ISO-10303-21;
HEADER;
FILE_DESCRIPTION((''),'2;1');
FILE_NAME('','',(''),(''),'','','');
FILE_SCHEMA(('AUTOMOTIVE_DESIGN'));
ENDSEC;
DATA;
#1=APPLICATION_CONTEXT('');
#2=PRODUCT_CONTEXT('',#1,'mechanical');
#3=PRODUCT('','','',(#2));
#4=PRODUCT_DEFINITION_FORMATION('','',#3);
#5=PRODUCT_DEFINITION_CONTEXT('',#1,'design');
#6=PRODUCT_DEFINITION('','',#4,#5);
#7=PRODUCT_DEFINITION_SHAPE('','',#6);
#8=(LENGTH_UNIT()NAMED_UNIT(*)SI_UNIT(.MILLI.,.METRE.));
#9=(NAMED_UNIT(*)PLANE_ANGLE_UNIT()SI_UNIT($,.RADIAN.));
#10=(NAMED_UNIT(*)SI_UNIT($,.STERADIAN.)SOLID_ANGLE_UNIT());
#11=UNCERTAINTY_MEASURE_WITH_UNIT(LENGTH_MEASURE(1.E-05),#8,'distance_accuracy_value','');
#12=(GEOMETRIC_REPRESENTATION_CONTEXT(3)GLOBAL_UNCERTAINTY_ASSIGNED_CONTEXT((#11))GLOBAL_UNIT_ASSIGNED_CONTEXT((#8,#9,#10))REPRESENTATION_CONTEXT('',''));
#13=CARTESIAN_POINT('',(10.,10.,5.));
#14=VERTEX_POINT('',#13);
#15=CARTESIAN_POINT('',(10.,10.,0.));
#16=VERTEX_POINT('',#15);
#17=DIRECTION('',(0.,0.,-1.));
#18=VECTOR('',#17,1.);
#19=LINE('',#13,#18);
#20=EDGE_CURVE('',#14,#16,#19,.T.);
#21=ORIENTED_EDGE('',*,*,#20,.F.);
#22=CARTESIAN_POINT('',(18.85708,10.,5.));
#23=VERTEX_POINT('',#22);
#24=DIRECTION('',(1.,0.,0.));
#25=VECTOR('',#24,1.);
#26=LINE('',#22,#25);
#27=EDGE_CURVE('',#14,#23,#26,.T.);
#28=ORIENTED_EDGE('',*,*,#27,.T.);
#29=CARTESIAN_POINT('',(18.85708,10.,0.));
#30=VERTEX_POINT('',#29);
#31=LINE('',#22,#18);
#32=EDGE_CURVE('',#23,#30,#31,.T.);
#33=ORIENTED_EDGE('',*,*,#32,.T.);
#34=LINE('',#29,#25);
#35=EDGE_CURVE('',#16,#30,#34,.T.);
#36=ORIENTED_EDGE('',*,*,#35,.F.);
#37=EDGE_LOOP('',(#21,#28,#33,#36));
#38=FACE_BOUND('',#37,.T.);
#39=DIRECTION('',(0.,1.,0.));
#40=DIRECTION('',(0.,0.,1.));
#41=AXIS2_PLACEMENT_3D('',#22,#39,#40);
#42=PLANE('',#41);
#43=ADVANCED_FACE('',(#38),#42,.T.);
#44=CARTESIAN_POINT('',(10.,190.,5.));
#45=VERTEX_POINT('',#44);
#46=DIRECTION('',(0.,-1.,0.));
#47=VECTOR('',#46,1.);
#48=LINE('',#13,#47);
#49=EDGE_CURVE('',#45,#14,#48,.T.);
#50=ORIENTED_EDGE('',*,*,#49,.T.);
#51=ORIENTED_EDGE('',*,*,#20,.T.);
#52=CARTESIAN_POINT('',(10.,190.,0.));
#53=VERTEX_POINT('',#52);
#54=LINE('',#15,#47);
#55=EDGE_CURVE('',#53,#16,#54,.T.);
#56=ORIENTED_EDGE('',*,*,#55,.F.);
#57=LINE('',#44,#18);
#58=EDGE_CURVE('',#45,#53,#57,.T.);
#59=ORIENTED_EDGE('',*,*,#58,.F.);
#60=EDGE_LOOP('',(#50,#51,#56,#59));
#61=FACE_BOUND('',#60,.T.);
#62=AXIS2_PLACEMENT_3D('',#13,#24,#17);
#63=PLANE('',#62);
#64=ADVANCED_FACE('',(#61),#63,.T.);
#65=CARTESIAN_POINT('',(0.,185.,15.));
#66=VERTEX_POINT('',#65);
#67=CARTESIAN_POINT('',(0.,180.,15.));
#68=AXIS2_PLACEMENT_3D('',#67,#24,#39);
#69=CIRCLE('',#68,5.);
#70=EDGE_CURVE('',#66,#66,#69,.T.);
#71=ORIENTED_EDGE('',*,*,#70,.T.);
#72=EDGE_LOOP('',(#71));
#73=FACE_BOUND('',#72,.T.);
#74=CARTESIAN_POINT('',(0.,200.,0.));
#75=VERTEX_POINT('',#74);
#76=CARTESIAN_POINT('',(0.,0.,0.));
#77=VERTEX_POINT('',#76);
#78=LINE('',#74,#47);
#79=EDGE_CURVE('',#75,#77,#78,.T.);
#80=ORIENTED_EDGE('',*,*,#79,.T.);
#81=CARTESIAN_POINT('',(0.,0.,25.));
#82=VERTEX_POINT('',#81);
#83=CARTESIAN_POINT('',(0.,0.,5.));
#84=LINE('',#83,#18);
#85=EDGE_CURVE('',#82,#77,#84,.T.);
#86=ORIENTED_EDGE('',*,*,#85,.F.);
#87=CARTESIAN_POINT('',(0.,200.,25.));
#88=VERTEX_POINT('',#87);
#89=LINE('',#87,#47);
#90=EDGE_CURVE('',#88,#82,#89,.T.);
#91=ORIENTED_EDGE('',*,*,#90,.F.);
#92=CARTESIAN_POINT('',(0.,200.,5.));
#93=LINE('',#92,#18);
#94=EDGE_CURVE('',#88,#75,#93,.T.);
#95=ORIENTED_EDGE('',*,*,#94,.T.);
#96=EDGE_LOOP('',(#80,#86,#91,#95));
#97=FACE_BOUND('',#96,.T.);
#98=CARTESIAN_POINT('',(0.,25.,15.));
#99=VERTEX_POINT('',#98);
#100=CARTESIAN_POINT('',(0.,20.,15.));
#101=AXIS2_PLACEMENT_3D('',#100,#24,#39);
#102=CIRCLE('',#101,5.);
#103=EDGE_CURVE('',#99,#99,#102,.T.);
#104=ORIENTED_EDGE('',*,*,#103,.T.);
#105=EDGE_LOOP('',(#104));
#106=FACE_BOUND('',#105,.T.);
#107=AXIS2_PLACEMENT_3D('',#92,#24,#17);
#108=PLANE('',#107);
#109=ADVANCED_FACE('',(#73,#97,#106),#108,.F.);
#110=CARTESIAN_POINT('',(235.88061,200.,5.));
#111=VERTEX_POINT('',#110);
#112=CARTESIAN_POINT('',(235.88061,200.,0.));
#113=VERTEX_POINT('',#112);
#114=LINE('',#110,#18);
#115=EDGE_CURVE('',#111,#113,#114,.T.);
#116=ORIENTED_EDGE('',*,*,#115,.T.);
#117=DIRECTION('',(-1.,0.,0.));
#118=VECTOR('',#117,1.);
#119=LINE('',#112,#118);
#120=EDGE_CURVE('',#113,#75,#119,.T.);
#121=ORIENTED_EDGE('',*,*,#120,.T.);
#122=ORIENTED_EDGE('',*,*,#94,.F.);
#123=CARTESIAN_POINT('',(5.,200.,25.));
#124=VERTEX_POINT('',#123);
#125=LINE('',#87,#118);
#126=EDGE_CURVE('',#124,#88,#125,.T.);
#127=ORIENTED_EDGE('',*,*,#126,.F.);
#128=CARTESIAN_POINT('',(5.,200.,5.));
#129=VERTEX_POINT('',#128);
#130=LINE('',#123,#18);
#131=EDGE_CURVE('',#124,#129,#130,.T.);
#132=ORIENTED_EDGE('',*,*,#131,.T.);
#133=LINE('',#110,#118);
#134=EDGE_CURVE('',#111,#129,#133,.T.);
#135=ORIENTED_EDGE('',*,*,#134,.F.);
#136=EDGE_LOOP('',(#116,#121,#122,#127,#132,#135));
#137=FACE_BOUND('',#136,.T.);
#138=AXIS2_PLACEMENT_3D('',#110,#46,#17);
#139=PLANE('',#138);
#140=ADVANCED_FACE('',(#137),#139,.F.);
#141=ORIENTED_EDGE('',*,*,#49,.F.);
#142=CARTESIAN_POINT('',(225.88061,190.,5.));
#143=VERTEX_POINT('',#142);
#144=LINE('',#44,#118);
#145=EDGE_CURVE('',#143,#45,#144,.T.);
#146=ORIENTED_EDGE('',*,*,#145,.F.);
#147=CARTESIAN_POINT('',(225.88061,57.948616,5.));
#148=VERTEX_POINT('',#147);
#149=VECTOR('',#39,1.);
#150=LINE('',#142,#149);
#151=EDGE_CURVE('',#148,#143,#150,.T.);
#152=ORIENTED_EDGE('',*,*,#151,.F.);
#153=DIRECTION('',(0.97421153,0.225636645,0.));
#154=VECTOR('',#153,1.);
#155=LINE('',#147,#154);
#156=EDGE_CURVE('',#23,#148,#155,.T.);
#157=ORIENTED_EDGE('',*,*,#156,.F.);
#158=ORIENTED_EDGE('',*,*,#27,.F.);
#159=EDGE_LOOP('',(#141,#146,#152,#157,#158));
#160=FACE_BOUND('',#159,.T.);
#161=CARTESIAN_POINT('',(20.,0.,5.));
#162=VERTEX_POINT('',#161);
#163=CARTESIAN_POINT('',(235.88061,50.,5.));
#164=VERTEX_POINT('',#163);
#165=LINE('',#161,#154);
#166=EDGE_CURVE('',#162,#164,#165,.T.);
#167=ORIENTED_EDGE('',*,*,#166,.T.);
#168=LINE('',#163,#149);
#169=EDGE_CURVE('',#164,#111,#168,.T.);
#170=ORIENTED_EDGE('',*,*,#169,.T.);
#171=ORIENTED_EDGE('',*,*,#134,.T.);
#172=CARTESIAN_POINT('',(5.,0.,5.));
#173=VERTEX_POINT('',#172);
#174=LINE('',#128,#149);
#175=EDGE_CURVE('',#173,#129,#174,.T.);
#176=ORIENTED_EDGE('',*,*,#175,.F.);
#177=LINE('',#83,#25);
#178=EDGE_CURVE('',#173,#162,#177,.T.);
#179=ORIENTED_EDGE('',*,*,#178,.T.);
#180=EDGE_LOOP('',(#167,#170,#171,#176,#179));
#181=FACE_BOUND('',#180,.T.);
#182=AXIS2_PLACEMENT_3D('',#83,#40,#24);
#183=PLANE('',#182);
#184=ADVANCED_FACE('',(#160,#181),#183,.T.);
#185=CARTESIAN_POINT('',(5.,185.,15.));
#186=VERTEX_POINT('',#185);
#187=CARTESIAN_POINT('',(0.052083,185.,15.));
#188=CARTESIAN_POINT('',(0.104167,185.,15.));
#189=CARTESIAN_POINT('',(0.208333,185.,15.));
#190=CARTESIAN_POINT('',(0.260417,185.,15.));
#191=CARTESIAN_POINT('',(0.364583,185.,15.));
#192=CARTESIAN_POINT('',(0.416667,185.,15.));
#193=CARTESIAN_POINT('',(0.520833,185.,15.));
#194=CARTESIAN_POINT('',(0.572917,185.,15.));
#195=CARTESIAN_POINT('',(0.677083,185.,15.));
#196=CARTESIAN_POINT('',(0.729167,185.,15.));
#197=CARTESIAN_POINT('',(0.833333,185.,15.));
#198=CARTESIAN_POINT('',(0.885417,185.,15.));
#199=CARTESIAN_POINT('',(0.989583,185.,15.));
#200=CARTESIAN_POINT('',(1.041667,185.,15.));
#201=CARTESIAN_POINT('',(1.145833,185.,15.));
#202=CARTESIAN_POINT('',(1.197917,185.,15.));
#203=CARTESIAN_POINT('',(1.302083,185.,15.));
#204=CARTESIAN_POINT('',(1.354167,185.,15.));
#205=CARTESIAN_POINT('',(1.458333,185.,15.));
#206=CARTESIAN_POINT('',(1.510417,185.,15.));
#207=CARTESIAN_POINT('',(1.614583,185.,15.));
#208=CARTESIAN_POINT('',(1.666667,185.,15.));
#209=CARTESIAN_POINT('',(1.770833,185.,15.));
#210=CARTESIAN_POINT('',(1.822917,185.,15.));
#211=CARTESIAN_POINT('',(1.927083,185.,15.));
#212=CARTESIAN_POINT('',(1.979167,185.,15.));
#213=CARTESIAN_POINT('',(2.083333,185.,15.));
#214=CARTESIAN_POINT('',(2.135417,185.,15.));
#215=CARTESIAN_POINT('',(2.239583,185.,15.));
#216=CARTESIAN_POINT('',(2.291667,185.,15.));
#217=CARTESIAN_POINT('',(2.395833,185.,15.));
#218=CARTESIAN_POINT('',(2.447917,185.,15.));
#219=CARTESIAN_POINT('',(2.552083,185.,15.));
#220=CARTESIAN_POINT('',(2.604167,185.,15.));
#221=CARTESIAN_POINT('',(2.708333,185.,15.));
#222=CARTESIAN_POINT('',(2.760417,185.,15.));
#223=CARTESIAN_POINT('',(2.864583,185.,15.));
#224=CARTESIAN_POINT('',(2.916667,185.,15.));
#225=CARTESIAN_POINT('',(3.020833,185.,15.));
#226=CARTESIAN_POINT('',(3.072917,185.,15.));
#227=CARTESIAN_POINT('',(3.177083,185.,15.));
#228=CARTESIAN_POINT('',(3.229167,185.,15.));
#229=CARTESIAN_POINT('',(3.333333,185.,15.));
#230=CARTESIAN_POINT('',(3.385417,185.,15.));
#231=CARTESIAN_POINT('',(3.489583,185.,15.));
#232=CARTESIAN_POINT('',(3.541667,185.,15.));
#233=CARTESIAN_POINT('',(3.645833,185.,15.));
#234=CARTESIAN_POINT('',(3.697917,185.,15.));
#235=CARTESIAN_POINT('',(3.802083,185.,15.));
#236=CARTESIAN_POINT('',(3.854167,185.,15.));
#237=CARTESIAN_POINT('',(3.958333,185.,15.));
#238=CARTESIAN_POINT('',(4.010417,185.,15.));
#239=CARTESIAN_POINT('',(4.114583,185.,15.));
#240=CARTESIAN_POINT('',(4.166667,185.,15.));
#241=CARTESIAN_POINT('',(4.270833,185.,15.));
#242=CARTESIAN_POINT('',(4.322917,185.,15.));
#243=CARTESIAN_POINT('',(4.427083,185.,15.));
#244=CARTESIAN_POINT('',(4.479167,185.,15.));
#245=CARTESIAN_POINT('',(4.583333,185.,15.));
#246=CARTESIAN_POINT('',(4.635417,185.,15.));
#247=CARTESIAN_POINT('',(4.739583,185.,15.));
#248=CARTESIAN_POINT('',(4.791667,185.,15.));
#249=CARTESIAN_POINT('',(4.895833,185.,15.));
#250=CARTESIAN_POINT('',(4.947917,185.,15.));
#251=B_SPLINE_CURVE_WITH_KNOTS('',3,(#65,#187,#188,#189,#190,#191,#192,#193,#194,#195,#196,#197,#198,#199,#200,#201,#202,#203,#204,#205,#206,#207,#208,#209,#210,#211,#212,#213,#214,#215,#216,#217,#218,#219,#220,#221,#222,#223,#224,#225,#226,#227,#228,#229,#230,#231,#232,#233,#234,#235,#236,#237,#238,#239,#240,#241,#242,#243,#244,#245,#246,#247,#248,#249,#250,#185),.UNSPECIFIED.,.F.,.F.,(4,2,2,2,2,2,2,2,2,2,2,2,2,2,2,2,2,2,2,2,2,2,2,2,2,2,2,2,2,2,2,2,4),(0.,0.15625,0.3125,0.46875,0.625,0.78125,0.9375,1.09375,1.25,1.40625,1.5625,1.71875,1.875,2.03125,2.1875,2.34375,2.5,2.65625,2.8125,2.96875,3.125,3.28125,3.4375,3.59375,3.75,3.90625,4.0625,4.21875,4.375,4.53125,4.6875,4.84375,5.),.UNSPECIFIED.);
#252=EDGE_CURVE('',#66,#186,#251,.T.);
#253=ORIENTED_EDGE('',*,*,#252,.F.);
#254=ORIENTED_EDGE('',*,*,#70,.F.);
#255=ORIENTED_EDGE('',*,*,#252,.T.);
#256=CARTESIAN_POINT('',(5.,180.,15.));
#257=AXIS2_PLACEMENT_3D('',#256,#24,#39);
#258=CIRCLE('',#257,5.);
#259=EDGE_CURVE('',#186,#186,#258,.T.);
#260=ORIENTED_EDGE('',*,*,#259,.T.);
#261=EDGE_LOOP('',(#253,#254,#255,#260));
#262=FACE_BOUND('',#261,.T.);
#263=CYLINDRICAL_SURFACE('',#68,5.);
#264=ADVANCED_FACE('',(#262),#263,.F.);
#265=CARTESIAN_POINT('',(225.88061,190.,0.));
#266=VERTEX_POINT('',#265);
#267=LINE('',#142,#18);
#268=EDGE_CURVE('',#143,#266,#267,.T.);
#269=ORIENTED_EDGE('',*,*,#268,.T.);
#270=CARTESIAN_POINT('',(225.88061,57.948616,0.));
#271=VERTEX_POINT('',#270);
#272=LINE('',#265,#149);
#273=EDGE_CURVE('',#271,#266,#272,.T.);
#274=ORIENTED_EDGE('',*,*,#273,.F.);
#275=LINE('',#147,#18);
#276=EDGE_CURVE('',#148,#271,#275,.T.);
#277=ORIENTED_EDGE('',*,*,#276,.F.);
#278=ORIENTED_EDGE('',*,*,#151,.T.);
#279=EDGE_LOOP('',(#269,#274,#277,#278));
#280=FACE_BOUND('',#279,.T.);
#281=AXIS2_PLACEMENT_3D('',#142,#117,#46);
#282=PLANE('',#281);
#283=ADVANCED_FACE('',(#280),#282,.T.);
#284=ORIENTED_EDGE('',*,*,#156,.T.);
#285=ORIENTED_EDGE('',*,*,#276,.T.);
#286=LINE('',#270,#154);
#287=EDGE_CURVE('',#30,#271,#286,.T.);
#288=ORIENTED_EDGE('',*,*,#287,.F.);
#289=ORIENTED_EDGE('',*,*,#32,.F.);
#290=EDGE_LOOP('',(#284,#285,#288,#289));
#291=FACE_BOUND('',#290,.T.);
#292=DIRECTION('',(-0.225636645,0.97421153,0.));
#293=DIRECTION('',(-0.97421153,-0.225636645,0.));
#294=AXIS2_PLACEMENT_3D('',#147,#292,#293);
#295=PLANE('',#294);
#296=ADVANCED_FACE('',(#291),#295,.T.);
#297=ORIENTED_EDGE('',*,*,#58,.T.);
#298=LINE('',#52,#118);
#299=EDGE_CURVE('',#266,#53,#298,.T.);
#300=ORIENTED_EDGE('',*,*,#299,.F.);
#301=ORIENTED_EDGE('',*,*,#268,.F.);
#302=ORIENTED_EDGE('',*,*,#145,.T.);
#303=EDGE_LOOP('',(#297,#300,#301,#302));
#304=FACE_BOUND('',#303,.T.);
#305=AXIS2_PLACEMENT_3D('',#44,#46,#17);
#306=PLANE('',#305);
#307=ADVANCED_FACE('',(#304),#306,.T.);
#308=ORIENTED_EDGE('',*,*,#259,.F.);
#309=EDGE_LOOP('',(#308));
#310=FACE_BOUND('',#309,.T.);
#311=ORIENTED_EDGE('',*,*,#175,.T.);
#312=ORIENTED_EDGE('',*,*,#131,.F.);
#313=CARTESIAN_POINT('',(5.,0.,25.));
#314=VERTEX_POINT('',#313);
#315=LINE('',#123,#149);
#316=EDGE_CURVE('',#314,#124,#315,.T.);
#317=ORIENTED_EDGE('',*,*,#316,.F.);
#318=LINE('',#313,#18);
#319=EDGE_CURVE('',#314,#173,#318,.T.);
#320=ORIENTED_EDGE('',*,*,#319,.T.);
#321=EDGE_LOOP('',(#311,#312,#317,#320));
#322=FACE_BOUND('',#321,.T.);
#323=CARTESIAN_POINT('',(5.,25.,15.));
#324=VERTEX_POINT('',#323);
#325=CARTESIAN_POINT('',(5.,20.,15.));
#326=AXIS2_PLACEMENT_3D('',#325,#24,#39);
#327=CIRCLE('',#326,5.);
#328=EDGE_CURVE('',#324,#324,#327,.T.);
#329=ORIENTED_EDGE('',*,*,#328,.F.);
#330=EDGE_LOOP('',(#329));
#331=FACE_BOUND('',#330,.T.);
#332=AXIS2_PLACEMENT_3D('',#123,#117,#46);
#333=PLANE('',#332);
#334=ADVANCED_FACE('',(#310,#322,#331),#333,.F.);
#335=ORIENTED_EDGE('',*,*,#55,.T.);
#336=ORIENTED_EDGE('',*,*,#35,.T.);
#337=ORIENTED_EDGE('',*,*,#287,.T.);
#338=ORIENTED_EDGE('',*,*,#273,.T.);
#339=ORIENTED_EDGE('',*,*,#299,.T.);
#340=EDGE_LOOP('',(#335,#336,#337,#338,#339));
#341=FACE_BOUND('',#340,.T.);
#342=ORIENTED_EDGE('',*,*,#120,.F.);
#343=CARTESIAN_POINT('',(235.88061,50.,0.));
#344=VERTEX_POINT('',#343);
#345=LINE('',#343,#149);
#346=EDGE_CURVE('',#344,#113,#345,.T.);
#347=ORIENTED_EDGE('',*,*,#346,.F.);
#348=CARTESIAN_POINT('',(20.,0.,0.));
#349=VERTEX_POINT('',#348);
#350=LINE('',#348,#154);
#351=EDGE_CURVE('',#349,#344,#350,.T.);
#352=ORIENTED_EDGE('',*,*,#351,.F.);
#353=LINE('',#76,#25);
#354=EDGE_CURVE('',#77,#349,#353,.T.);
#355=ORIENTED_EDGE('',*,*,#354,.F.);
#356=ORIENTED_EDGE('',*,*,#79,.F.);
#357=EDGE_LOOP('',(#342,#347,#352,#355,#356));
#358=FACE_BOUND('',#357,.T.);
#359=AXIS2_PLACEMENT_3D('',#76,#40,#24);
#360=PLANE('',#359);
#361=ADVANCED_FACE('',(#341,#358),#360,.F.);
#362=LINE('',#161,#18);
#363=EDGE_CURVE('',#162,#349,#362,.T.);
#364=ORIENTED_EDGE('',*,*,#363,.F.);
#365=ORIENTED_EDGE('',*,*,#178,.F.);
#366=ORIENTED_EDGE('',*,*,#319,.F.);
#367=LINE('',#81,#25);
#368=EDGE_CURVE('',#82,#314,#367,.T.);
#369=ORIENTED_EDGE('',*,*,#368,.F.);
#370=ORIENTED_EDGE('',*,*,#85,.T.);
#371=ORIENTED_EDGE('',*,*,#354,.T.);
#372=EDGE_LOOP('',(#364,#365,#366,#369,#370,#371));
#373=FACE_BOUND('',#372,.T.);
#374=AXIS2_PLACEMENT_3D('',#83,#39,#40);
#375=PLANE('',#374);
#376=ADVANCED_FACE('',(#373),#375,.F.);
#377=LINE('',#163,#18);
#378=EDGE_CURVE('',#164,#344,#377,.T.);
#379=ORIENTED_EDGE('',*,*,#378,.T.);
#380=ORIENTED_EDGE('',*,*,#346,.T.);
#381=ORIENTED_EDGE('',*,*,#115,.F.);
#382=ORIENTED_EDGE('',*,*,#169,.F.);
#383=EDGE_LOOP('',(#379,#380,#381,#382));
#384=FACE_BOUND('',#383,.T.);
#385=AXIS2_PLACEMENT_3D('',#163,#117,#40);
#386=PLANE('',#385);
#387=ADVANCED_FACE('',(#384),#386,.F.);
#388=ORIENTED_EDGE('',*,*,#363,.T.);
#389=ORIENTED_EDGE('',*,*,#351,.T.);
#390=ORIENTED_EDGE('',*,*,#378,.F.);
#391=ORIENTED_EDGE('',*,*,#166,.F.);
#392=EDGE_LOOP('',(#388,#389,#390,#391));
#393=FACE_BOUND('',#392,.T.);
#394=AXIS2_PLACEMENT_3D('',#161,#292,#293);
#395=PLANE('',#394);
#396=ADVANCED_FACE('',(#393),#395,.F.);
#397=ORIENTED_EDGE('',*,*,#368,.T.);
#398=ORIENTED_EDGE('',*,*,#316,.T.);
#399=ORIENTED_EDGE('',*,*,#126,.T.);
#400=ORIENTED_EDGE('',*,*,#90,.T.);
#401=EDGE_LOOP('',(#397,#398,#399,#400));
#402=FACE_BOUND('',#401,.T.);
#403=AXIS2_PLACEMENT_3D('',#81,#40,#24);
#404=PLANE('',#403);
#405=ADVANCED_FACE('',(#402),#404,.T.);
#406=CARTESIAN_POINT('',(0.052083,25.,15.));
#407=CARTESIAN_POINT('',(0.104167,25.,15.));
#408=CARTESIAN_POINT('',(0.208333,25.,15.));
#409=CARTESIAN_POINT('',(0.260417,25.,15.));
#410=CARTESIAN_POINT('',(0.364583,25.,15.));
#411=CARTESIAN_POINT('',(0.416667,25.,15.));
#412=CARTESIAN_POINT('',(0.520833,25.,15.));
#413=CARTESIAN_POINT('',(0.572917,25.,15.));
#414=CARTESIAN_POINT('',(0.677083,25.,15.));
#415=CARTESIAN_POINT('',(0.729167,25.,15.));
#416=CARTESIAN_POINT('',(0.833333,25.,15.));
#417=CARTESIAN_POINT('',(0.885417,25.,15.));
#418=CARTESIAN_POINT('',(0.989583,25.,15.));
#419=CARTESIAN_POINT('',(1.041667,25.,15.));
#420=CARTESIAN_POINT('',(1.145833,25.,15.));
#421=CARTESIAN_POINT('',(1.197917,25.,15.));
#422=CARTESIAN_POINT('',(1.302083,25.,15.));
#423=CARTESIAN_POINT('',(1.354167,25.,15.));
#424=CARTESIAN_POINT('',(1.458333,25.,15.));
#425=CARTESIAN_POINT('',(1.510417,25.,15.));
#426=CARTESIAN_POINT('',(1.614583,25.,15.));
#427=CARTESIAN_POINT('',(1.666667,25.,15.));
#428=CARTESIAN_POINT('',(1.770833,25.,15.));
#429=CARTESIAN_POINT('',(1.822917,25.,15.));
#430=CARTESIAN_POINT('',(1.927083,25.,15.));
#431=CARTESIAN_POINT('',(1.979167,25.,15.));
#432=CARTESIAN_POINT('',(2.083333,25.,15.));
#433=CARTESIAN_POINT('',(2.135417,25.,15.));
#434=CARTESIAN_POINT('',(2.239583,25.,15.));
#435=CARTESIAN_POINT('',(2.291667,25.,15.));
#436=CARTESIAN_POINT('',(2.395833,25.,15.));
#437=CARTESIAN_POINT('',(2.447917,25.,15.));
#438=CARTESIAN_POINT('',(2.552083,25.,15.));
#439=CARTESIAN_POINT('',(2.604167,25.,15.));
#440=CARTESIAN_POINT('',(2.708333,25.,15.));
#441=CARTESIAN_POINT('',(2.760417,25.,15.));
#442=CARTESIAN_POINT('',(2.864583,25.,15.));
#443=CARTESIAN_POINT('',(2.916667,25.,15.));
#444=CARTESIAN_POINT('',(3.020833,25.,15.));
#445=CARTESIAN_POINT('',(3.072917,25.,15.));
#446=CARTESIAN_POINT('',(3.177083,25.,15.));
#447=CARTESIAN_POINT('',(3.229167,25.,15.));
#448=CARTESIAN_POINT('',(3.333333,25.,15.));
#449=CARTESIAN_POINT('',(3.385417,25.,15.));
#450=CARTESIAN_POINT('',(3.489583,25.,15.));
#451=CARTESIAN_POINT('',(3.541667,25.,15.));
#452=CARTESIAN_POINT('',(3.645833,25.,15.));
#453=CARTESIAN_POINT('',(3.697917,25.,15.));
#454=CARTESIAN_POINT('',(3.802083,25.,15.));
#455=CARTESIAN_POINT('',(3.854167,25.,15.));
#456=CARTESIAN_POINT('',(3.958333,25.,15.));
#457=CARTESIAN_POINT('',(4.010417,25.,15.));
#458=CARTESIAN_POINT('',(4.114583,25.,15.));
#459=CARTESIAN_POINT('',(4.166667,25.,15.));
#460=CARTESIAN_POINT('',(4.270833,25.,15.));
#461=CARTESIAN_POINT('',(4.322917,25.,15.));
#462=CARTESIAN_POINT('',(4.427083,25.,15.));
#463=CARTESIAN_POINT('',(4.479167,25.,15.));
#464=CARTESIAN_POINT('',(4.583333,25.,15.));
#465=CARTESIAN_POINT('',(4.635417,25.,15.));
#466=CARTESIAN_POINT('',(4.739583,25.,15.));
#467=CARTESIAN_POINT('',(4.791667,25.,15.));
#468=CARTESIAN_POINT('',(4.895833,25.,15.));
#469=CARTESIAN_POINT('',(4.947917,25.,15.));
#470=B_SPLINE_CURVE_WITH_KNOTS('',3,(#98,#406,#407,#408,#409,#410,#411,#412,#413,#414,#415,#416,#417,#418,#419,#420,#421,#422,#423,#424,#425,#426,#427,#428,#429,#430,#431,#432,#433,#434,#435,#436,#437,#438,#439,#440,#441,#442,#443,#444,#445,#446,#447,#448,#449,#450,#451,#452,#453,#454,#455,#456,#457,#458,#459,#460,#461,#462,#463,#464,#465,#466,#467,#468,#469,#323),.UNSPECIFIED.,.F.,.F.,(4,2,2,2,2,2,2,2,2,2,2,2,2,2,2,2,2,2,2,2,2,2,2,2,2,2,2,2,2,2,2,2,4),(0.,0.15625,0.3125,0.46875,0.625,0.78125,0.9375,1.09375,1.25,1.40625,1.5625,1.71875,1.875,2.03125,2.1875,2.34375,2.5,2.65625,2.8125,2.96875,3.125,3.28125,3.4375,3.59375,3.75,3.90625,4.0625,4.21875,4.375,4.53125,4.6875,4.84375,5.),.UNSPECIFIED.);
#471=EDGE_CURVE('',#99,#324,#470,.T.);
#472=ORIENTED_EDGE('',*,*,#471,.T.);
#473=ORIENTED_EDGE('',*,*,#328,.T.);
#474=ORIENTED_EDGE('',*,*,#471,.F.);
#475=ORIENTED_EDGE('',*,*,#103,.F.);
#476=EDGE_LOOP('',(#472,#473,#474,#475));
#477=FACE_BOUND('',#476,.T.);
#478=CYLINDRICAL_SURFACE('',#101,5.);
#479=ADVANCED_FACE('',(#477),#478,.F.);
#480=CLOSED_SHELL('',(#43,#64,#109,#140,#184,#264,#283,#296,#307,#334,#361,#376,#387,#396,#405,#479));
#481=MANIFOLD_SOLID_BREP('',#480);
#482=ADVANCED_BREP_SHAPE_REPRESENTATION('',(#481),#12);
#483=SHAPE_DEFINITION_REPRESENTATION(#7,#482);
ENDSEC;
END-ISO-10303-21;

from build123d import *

# Parameters (mm, degrees)
BOSS_EXTRUDE1_DEPTH = 5
SKETCH2_W           = 5
SKETCH2_H           = 200
BOSS_EXTRUDE2_DEPTH = 20
SKETCH3_R           = 5
CUT_EXTRUDE1_DEPTH  = 307.481412279


with BuildPart() as part:
    # Sketch1 → Boss-Extrude1 (new body)
    with BuildSketch(Plane.XY):
        Polygon((0, 0), (20, 0), (235.880609996, 50), (235.880609996, 200), (0, 200), align=None)
        Polygon((10, 190), (225.880609996, 190), (225.880609996, 57.948616206), (18.857079694, 10), (10, 10), align=None, mode=Mode.SUBTRACT)
    extrude(amount=BOSS_EXTRUDE1_DEPTH)

    # Sketch2 → Boss-Extrude2 (add)
    with BuildSketch(Plane.XY.offset(5)):
        with Locations((2.5, 100)):
            Rectangle(SKETCH2_W, SKETCH2_H)
    extrude(amount=BOSS_EXTRUDE2_DEPTH)

    # Sketch3 → Cut-Extrude1 (cut, through all)
    with BuildSketch(Plane(origin=(5, 0, 0), x_dir=(0, 0, -1), z_dir=(1, 0, 0))):
        with Locations(Location((-15, 180, 0), (0, 0, 90))):
            Circle(SKETCH3_R)
        with Locations(Location((-15, 20, 0), (0, 0, 90))):
            Circle(SKETCH3_R)
    extrude(amount=-CUT_EXTRUDE1_DEPTH, mode=Mode.SUBTRACT)


solid = part.part
